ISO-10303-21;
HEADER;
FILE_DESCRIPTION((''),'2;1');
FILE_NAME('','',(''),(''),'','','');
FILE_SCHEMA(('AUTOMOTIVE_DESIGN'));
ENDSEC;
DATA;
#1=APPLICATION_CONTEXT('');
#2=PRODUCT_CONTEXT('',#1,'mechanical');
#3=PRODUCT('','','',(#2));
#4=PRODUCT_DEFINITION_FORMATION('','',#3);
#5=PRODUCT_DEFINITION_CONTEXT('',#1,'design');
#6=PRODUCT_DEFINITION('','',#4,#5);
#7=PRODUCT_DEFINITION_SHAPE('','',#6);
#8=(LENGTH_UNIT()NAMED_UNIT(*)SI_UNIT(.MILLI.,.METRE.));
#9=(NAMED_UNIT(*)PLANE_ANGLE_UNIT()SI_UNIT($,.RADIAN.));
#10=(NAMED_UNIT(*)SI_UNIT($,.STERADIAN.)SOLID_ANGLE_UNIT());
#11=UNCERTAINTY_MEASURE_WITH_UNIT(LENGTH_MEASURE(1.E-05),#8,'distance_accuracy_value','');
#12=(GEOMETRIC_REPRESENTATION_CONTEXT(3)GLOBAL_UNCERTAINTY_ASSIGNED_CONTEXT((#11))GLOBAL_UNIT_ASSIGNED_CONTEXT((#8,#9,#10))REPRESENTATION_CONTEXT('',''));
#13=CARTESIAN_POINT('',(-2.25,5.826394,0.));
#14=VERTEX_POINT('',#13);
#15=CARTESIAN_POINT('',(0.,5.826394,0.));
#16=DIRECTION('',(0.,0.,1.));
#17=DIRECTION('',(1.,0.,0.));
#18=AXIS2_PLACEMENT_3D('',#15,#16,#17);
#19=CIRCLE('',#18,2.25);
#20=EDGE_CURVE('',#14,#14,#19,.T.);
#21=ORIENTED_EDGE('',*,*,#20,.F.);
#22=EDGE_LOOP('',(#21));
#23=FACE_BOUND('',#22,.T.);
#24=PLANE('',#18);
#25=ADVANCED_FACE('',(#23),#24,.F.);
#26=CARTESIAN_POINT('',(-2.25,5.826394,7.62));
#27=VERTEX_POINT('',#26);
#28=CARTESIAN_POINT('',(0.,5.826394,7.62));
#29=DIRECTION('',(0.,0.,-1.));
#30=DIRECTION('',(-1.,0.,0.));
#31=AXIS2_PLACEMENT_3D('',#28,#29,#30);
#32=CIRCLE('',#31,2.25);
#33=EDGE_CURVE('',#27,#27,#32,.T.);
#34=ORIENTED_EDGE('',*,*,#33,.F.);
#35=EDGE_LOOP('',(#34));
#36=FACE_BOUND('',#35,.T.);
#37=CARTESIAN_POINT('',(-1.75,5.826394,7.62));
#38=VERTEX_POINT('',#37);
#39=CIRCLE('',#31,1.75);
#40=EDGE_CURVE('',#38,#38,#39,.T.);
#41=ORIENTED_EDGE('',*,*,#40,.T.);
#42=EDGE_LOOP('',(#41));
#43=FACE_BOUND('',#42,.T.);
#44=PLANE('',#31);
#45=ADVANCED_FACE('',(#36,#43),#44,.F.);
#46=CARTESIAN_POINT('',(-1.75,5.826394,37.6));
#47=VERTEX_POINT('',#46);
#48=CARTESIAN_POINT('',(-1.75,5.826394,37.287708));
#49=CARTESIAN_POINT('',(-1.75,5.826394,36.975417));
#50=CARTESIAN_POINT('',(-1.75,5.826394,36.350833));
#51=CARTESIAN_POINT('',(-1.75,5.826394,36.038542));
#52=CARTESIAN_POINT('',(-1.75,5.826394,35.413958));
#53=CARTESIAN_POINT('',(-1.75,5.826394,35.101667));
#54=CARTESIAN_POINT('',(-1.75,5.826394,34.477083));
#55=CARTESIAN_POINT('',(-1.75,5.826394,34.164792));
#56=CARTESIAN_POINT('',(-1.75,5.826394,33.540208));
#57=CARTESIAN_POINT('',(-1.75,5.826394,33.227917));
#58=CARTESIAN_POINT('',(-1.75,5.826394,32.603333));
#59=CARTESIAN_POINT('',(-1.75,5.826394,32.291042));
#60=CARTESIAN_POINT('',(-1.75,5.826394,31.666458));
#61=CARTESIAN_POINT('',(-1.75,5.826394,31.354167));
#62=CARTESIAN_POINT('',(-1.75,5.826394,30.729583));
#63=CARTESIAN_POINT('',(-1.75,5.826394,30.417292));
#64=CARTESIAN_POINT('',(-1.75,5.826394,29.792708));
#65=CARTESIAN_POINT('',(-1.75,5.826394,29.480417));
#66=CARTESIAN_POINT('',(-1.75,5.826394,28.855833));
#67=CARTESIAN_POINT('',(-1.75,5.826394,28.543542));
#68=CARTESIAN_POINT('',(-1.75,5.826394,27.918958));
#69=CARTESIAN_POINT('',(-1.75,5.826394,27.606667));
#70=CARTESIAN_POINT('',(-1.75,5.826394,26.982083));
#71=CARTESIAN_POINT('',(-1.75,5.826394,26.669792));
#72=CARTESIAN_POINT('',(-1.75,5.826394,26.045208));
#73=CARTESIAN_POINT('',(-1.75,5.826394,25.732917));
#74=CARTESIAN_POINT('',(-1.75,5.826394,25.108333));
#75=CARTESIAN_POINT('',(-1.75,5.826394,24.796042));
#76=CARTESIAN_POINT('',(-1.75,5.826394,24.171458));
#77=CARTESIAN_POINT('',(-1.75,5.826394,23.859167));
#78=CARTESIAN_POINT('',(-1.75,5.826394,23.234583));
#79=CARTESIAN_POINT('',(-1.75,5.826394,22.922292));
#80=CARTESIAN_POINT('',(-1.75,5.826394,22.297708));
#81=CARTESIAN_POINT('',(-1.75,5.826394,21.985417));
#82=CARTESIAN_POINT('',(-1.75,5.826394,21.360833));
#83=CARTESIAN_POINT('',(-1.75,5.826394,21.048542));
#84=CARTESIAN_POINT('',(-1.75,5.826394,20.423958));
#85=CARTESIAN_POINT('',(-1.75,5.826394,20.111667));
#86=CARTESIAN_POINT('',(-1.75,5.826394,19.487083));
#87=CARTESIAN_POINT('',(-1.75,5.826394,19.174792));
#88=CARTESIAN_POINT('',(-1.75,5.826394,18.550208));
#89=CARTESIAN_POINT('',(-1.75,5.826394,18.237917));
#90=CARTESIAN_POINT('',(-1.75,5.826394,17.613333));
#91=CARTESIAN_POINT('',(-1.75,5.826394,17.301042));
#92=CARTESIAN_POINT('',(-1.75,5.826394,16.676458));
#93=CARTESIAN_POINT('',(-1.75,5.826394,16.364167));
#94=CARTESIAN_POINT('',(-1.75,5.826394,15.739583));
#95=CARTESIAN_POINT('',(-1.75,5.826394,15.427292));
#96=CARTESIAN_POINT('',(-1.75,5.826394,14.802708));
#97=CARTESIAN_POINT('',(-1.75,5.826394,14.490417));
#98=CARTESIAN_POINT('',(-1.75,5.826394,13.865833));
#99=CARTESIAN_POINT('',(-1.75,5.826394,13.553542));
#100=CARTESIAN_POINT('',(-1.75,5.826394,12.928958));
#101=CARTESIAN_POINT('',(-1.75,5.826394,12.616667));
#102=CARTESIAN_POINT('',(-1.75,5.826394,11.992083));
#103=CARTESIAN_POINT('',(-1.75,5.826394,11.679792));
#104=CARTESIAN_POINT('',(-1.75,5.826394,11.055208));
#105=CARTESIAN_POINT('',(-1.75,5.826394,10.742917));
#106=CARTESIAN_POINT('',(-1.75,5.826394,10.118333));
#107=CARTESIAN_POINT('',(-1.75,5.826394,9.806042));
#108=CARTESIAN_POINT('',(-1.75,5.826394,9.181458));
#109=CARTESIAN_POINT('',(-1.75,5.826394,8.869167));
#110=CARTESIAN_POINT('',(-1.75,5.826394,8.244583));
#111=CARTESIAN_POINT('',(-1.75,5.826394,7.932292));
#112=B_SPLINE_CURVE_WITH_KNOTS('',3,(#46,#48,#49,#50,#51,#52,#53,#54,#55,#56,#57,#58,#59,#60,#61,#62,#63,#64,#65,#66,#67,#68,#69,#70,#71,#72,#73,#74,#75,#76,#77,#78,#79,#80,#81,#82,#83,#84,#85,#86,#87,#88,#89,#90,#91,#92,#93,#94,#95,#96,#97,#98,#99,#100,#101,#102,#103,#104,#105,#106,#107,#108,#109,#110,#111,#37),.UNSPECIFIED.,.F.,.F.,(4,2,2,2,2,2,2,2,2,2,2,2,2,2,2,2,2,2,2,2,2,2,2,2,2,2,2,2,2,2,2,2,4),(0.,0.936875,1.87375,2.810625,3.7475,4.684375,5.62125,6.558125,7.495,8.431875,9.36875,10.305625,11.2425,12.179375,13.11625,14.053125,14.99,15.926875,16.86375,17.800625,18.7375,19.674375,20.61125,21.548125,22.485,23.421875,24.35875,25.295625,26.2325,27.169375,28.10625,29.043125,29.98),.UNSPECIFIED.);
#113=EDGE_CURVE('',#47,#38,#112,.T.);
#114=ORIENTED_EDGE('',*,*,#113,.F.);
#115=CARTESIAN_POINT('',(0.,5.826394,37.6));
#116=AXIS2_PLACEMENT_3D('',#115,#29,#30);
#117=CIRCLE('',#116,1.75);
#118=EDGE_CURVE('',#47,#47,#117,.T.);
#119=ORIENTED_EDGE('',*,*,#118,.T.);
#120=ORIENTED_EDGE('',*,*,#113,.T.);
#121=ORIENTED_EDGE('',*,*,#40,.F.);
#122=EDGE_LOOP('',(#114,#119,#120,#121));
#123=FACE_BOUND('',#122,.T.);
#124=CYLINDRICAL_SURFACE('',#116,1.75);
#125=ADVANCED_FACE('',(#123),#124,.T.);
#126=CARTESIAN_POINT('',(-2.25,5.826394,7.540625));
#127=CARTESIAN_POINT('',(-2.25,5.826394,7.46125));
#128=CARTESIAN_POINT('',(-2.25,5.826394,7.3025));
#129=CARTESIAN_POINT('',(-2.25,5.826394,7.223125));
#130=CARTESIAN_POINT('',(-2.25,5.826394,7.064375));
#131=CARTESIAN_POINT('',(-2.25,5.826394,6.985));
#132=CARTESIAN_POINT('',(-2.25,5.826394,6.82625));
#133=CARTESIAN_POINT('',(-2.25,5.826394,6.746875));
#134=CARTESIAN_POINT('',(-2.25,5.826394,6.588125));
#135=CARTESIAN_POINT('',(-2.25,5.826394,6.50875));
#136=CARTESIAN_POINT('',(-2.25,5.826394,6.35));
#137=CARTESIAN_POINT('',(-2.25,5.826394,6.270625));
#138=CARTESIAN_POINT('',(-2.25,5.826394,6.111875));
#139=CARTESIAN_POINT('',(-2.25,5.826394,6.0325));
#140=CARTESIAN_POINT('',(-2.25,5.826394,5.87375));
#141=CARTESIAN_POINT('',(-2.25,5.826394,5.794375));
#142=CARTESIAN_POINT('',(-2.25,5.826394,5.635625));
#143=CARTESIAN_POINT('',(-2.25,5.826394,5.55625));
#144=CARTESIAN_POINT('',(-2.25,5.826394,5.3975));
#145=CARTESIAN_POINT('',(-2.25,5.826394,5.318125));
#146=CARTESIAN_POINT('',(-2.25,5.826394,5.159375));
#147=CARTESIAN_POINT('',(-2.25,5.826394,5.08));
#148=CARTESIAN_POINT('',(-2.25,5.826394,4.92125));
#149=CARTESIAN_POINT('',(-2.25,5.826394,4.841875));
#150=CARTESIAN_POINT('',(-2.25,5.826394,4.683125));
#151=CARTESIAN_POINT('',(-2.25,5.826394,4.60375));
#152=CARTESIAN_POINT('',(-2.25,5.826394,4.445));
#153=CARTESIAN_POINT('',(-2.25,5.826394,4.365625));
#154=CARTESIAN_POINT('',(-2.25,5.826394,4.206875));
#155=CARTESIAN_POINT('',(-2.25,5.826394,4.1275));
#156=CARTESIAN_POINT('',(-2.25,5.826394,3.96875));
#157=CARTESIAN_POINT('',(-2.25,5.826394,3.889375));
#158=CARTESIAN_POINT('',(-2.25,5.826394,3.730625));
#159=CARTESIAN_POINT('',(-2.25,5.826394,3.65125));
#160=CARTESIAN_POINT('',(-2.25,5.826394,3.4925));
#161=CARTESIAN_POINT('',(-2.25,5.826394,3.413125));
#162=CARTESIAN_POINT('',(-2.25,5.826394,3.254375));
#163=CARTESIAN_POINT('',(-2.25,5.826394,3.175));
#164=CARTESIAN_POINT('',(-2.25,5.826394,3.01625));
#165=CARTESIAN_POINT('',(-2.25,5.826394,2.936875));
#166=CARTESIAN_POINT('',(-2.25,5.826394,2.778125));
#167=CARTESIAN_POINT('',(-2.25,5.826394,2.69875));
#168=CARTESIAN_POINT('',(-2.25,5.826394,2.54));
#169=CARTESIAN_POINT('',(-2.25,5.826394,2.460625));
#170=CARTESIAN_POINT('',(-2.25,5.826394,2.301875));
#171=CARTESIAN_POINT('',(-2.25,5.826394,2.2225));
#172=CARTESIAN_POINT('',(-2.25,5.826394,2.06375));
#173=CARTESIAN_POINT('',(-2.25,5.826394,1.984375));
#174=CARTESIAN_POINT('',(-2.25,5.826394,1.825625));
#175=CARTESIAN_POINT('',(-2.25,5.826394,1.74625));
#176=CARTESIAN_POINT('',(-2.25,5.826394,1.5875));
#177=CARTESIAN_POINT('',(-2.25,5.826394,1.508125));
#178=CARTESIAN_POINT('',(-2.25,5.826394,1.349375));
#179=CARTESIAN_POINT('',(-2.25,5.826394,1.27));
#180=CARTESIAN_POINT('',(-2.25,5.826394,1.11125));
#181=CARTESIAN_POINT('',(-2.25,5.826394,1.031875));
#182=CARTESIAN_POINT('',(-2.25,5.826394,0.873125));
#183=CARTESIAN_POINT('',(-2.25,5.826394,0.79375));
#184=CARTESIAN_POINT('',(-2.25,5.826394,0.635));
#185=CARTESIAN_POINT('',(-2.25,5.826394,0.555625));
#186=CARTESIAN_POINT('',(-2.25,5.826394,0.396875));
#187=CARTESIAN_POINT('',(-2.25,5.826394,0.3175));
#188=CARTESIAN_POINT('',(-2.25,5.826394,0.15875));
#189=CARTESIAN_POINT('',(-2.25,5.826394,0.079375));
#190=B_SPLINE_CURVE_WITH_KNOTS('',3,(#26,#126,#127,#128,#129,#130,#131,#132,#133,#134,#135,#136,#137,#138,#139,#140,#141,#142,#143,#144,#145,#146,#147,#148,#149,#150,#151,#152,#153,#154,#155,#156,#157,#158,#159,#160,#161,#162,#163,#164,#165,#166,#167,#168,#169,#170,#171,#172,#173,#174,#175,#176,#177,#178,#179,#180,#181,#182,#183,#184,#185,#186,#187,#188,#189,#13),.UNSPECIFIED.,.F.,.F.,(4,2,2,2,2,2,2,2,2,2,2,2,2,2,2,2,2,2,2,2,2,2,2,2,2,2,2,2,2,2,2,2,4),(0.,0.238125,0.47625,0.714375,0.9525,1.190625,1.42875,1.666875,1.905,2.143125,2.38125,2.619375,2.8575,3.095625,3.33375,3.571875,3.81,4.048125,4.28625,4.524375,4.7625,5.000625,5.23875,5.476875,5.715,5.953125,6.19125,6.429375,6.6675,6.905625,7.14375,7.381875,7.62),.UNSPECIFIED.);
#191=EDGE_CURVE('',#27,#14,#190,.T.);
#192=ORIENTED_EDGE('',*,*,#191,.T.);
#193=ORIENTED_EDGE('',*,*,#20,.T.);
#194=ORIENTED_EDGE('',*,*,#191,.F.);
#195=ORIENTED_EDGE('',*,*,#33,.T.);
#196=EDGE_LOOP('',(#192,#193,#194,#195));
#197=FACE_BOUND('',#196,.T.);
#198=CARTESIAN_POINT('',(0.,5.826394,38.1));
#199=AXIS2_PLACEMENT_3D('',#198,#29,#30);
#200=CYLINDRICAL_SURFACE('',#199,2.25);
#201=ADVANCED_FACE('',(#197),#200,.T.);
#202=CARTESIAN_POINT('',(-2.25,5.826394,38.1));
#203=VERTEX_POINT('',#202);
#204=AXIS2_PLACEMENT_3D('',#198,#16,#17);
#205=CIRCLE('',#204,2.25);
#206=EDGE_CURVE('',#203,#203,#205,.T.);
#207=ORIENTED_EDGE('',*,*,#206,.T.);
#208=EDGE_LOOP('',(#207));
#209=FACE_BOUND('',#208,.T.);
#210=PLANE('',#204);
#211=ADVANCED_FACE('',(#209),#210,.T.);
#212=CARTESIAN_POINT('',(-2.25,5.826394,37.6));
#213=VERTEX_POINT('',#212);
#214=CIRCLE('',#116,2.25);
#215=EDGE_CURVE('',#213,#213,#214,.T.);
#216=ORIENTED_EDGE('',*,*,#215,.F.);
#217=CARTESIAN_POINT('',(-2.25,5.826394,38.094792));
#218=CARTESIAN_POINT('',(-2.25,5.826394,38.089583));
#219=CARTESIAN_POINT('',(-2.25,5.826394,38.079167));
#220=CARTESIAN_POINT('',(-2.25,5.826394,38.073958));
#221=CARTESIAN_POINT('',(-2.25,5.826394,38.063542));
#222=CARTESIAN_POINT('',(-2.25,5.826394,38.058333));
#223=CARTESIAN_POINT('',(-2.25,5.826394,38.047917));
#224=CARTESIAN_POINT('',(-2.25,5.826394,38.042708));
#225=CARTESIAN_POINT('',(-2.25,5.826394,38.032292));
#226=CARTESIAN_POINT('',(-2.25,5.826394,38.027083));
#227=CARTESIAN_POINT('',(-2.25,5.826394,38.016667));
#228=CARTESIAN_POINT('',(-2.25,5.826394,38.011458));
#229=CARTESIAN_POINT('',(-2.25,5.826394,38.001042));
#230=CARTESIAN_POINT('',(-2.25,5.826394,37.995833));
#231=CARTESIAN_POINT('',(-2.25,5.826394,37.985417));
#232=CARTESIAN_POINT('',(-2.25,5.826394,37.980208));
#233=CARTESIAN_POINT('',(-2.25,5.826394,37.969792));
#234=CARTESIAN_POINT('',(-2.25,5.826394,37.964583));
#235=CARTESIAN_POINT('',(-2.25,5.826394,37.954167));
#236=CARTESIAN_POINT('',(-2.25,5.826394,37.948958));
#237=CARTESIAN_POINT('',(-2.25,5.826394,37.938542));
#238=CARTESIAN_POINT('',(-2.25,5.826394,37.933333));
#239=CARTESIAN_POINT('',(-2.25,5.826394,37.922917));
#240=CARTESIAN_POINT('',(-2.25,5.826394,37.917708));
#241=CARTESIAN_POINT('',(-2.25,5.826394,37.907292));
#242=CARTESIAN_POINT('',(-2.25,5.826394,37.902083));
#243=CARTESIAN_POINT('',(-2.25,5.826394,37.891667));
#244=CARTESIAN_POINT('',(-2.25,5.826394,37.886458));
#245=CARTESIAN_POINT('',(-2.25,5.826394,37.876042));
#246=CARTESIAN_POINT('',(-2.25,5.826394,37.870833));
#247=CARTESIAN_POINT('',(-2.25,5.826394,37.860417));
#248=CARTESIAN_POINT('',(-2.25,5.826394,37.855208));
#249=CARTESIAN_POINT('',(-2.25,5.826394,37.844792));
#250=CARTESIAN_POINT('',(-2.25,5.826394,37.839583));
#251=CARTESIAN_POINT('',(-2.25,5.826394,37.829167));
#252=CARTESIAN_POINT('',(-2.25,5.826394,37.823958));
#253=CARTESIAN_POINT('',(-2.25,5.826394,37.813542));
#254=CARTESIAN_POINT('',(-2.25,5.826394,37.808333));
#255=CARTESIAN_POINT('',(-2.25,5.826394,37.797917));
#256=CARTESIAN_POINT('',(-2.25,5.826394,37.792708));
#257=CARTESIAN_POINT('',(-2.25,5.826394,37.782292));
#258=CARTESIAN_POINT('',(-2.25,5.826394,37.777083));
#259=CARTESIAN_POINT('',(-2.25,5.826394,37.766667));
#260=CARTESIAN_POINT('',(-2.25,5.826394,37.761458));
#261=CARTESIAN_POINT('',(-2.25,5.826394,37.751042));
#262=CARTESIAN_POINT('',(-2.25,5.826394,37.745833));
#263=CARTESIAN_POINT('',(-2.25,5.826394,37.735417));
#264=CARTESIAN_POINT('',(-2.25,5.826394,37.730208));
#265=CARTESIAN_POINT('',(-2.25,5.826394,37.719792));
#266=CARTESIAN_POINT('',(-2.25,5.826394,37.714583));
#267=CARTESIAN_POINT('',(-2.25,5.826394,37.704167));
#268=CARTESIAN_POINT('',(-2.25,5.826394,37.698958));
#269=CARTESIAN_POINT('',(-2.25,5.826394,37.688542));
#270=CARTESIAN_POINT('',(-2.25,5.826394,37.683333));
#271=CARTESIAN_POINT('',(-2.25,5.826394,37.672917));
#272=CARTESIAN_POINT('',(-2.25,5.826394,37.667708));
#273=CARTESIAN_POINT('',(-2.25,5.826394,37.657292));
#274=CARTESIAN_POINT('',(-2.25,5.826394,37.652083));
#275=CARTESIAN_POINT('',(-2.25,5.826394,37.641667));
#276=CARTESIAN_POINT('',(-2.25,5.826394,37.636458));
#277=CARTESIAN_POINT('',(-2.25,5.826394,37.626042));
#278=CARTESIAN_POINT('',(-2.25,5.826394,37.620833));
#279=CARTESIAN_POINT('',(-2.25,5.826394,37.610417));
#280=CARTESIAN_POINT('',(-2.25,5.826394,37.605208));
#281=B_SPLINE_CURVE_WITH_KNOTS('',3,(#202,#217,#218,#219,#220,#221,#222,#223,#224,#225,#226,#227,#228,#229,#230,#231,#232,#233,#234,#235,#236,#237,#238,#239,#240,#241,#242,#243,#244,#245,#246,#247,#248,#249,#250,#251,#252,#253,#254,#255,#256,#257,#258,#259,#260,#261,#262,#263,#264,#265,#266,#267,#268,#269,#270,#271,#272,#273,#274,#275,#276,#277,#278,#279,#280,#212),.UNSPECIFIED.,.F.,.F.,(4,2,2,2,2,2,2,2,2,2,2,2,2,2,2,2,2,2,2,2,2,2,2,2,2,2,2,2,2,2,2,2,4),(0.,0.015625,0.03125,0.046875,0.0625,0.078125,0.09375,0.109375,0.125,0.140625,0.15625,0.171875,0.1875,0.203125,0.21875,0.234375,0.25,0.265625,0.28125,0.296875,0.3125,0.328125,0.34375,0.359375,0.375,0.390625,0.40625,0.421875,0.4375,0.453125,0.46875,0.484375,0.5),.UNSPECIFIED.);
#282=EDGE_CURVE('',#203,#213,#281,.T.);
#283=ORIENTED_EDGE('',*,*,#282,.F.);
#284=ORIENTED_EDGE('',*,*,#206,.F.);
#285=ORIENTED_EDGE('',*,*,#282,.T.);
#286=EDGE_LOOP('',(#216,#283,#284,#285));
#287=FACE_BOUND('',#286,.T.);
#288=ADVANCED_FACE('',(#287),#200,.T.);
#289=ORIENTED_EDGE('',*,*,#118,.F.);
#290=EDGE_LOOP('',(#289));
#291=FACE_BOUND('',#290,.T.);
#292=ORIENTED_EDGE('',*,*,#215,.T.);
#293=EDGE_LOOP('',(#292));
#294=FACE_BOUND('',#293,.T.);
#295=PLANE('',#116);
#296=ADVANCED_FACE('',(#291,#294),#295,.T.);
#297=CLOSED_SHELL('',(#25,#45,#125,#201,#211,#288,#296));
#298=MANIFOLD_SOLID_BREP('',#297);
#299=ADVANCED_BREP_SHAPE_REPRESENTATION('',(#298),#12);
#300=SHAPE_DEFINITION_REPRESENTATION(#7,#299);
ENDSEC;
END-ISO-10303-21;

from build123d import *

# Parameters (mm, degrees)
SKETCH1_R           = 2.25
BOSS_EXTRUDE1_DEPTH = 38.1
CUT_EXTRUDE1_START  = -7.62
SKETCH3_OUTSIDE_W   = 14.226
SKETCH3_OUTSIDE_H   = 14.226
SKETCH3_OUTSIDE_R   = 1.75
CUT_EXTRUDE1_DEPTH  = 29.98


with BuildPart() as part:
    # Sketch1 → Boss-Extrude1 (new body)
    with BuildSketch(Plane.XY):
        with Locations(Location((0, 5.826393973, 0), (0, 0, 180))):
            Circle(SKETCH1_R)
    extrude(amount=BOSS_EXTRUDE1_DEPTH)

    # Sketch3 outside → Cut-Extrude1 (cut)
    with BuildSketch(Plane(origin=(0, 0, 0), x_dir=(-1, 0, 0), z_dir=(0, 0, -1)).offset(CUT_EXTRUDE1_START)):
        with Locations((0, 5.826)):
            Rectangle(SKETCH3_OUTSIDE_W, SKETCH3_OUTSIDE_H)
        with Locations((0, 5.826393973)):
            Circle(SKETCH3_OUTSIDE_R, mode=Mode.SUBTRACT)
    extrude(amount=-CUT_EXTRUDE1_DEPTH, mode=Mode.SUBTRACT)


solid = part.part
